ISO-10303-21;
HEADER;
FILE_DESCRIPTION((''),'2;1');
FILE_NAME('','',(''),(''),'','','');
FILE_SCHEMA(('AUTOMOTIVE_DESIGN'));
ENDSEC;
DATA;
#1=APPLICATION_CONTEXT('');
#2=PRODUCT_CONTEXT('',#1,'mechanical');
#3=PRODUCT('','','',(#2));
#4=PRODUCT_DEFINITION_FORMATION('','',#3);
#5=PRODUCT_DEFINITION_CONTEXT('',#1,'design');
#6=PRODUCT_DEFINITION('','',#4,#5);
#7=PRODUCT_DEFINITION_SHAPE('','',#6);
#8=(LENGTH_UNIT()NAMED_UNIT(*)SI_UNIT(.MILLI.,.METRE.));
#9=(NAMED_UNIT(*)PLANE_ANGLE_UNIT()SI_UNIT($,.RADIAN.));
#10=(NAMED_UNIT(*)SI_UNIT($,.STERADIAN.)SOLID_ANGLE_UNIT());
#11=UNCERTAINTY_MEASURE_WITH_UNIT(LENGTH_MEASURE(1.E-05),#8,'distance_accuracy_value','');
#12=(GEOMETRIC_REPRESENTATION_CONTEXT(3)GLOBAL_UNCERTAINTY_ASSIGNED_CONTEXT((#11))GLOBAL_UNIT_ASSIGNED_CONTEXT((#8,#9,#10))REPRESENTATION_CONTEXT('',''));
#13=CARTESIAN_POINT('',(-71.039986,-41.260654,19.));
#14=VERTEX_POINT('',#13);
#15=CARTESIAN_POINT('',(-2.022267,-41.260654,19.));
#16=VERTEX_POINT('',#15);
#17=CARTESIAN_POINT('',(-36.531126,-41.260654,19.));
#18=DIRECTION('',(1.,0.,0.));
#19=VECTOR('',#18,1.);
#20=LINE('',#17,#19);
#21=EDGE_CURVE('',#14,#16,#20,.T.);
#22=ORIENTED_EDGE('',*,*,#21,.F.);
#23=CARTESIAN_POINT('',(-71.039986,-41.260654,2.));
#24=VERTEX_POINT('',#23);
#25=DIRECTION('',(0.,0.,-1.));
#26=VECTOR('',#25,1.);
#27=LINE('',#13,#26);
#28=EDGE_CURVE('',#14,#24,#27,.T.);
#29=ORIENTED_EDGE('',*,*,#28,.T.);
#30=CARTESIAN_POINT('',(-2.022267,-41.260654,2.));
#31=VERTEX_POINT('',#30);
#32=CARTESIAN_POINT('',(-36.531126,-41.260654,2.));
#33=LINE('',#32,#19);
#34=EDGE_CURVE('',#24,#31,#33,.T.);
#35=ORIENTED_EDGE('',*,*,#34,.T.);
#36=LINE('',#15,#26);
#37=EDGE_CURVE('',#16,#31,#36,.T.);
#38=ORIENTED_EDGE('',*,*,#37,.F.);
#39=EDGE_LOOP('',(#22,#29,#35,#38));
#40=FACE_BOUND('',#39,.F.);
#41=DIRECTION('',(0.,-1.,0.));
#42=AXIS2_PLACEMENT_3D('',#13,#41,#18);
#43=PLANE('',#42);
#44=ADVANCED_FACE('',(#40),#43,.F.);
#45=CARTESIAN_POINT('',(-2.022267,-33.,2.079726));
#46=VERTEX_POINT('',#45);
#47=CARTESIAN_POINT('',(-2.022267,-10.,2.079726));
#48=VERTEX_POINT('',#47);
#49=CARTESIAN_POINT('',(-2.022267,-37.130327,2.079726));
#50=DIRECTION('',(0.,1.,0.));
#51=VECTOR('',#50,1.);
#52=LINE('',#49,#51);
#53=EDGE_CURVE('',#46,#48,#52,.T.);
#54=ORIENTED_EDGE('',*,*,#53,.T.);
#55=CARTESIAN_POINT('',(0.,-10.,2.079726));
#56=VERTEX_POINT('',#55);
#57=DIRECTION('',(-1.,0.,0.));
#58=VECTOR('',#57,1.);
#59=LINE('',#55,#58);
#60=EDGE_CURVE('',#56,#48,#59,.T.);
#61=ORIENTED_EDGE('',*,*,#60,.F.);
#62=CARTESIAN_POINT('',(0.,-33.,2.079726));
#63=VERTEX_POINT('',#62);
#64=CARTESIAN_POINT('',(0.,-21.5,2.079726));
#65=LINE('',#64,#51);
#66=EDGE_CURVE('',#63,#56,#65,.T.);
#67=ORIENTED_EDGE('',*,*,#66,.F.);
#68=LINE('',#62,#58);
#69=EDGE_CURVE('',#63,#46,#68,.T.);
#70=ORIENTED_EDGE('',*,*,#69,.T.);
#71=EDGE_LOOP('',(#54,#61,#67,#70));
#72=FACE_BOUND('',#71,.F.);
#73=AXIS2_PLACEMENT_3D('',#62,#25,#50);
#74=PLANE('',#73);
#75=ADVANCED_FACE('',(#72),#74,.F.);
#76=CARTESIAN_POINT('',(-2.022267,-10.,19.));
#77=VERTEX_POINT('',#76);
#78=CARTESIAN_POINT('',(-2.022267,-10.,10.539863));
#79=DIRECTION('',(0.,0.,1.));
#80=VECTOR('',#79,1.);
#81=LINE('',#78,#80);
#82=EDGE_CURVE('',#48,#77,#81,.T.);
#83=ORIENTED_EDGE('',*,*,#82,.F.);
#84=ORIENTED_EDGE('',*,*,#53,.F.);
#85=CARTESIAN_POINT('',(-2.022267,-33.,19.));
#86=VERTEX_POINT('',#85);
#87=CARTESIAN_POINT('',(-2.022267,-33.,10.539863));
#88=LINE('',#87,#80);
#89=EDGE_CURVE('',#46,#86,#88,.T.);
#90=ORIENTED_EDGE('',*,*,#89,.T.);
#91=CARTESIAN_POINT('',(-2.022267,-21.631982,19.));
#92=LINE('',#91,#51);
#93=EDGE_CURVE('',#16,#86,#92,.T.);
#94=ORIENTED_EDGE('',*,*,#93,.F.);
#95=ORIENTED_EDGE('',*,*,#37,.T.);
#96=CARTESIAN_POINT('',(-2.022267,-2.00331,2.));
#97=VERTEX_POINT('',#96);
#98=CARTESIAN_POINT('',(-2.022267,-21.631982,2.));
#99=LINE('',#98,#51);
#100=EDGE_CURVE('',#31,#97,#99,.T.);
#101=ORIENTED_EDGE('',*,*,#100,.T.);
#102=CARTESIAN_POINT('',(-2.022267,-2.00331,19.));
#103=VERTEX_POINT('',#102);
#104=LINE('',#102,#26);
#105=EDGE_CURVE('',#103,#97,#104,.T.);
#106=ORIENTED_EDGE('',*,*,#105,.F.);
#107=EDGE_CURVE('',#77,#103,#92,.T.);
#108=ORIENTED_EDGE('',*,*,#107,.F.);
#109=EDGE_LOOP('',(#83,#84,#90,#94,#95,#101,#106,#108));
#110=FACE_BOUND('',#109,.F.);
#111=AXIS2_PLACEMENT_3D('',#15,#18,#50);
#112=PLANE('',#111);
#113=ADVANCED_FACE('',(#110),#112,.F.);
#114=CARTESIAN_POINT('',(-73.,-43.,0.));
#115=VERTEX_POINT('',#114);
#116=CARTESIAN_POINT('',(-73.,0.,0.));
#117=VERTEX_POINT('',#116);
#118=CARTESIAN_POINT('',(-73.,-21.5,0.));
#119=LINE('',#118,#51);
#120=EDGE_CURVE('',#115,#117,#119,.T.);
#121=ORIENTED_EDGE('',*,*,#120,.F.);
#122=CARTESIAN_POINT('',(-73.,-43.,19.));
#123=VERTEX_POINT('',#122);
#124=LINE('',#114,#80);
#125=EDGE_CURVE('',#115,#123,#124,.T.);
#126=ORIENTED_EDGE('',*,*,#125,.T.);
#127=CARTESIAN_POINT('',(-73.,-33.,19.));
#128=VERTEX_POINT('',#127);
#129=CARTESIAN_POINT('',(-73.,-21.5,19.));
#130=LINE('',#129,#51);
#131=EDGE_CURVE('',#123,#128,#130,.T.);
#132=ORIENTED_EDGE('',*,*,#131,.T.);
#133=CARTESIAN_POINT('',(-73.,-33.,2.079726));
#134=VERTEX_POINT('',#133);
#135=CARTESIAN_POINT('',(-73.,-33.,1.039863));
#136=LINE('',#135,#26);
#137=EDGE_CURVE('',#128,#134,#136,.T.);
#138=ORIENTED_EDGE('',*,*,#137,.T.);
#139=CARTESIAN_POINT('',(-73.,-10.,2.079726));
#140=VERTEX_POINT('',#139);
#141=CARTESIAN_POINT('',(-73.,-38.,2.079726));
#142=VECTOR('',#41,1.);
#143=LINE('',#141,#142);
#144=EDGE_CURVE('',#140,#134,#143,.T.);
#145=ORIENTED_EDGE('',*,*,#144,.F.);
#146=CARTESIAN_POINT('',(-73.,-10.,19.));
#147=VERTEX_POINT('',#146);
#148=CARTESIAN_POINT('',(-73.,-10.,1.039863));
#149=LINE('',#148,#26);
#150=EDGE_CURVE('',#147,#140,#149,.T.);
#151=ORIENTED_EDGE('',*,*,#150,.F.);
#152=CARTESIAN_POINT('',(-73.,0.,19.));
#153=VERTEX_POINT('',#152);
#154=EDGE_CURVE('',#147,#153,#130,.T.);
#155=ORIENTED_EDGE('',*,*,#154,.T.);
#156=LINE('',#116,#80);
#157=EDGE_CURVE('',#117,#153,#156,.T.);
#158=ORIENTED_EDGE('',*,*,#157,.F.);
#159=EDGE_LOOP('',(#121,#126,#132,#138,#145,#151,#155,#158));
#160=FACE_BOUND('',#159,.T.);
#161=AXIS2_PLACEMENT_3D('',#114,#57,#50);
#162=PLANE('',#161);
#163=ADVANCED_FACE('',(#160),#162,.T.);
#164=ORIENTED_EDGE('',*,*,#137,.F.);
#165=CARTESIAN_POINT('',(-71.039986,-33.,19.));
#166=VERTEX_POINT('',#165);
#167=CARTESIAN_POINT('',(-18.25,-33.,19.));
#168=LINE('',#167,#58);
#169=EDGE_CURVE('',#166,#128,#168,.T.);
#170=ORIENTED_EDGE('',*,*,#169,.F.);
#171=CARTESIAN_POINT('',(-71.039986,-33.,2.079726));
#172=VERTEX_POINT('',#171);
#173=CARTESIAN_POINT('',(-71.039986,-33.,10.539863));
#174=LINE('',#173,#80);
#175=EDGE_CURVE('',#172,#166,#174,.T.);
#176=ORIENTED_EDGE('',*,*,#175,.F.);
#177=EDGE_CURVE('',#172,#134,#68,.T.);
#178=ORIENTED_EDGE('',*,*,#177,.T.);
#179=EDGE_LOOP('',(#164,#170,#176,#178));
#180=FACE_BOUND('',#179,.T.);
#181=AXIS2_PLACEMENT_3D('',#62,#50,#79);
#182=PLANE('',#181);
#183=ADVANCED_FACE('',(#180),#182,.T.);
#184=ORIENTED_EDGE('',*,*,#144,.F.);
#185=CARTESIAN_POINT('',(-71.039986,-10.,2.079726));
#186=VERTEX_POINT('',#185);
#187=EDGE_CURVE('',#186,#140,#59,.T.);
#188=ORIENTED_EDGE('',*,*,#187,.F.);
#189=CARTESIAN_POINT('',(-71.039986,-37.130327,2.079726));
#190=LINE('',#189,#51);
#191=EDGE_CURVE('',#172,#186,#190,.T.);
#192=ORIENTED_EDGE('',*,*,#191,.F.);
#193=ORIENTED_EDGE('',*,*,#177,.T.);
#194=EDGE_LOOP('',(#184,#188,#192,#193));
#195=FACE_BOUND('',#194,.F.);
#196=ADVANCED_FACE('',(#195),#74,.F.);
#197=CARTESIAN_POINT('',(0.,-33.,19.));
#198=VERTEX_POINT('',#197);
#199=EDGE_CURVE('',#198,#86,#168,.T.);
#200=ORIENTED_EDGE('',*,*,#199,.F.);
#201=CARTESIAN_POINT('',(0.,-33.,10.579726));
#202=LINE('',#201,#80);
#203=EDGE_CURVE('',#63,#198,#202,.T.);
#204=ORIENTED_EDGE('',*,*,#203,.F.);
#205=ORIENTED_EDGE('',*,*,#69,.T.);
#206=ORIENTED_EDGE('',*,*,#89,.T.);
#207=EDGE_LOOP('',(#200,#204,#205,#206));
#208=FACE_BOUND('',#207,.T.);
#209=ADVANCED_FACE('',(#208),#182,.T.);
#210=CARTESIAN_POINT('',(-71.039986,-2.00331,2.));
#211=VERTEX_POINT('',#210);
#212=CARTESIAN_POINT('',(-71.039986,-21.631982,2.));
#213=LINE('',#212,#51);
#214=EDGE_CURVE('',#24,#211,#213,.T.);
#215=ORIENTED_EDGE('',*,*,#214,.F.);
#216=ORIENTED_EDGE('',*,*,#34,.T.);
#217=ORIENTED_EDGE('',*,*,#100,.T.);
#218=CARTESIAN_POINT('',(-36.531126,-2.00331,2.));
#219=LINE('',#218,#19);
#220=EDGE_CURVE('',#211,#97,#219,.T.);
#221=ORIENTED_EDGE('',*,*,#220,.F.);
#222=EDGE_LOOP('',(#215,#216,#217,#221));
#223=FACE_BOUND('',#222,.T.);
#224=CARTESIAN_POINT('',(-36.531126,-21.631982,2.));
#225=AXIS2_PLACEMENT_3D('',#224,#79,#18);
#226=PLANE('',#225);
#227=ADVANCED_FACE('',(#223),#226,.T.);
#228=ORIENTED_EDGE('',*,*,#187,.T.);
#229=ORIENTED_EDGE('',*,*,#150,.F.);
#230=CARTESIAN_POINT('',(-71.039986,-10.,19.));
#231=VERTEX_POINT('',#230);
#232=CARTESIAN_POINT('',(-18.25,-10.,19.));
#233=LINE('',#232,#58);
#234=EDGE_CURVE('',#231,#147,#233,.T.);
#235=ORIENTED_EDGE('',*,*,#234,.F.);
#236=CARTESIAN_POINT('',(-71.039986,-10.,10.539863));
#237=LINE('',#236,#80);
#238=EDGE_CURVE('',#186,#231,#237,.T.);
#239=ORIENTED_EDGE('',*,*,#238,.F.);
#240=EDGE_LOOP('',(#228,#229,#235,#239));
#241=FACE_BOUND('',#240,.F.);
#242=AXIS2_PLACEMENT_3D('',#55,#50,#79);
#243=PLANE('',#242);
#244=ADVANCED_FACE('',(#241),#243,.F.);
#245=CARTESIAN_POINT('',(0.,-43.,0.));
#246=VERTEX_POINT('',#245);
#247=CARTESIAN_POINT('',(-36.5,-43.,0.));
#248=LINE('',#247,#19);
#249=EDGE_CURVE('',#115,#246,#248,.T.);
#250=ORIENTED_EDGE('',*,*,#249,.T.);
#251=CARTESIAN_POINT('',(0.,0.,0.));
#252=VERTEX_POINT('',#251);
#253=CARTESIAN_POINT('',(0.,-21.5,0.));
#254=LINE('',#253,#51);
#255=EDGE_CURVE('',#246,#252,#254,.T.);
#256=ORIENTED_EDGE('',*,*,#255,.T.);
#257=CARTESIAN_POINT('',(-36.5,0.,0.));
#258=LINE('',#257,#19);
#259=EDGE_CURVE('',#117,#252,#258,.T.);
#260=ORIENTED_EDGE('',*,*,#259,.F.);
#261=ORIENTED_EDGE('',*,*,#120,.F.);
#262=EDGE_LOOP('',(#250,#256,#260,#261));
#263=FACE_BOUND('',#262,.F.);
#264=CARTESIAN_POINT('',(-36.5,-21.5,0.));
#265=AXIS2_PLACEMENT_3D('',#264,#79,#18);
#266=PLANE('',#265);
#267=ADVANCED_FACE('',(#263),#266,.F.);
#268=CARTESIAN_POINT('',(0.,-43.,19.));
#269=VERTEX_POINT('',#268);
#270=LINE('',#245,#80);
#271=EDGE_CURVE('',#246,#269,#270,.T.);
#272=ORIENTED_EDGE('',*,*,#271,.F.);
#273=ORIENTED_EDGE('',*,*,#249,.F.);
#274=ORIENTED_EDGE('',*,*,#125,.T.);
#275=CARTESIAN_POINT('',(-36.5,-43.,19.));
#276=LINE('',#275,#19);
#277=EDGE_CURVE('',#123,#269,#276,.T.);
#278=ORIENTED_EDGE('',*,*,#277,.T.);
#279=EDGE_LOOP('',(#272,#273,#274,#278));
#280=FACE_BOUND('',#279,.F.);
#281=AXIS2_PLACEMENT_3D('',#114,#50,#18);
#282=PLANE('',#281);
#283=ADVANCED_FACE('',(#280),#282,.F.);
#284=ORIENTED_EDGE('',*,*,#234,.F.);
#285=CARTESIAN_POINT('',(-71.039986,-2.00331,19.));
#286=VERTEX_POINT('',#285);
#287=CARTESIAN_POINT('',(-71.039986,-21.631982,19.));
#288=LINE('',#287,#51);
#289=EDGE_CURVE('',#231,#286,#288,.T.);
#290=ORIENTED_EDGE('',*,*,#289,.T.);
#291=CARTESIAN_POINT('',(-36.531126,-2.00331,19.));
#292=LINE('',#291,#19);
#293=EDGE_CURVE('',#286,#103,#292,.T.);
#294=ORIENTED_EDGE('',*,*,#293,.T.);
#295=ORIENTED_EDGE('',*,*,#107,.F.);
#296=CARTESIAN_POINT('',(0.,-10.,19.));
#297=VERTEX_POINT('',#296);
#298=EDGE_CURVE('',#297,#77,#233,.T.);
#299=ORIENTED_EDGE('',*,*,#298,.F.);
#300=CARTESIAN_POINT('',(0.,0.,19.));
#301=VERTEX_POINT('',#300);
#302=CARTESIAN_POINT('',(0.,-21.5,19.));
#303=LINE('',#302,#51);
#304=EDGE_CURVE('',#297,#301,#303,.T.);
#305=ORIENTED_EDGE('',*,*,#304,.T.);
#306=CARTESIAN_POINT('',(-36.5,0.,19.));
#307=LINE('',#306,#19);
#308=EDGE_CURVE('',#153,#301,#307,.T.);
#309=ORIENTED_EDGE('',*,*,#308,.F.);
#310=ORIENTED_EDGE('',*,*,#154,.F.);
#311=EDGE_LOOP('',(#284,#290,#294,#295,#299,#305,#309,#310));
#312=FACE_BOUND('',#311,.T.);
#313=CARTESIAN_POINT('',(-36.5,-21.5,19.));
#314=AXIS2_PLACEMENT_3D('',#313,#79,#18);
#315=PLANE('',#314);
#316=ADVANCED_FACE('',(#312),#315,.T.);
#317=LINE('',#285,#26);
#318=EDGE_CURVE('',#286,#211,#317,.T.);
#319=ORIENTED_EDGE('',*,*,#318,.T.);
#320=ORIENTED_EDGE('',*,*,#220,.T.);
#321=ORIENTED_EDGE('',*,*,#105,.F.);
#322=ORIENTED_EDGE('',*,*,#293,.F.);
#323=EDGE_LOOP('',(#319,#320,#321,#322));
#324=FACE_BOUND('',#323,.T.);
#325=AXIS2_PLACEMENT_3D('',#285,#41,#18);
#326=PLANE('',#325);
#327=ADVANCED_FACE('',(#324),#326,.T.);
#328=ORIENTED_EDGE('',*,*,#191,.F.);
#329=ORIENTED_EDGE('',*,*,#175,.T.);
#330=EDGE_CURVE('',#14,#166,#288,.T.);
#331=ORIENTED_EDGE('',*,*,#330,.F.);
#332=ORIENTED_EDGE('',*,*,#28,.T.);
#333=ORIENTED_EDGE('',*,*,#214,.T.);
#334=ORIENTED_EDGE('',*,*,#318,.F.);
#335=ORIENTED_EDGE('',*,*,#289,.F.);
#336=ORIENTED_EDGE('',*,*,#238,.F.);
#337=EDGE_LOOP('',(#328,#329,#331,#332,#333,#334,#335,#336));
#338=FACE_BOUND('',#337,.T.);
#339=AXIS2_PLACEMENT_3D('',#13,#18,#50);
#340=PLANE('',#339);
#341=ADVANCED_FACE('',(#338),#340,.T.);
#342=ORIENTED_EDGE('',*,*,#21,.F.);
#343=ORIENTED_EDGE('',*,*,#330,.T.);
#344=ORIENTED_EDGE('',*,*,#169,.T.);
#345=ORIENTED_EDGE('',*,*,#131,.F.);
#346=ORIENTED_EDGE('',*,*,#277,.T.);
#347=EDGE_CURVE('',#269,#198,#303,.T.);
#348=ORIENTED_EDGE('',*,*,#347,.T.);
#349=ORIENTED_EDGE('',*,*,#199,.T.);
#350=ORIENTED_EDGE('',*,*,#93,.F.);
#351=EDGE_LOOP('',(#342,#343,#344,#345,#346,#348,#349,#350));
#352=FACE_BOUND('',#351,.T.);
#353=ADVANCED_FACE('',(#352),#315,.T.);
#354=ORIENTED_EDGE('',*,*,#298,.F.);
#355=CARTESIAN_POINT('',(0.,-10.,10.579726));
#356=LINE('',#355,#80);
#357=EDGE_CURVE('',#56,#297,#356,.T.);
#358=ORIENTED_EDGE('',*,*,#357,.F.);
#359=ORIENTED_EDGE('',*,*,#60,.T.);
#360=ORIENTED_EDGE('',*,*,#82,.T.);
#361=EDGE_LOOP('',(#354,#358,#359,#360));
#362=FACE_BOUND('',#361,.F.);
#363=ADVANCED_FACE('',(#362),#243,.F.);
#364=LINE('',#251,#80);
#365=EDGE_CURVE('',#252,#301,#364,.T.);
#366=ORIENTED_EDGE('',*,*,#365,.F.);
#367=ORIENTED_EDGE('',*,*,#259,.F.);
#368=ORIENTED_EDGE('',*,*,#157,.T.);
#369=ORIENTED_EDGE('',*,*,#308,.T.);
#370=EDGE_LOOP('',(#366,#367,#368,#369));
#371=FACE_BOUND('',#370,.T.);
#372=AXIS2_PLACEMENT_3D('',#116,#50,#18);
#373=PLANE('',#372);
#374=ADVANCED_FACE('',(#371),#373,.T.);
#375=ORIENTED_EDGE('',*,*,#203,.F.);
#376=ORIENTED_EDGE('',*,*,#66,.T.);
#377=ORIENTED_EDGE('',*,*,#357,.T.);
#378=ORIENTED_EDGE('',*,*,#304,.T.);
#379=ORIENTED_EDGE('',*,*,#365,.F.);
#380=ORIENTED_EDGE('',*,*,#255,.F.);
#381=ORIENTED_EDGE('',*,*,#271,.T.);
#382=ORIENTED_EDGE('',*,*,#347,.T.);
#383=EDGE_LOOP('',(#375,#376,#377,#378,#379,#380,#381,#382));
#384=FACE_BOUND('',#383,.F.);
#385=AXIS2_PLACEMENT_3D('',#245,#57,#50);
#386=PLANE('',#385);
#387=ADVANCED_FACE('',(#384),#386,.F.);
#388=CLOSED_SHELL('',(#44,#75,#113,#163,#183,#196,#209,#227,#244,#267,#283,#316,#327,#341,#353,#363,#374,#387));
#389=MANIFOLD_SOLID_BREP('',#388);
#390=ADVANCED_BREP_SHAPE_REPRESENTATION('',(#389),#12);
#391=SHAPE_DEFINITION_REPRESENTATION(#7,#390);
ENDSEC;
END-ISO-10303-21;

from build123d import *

# Parameters (mm, degrees)
SKETCH_W        = 73
SKETCH_H        = 43
PAD_DEPTH       = 19
SKETCH001_W     = 69.017719
SKETCH001_H     = 39.257344
POCKET_DEPTH    = 17
SKETCH002_W     = 23
SKETCH002_H     = 17
POCKET001_DEPTH = 80


with BuildPart() as part:
    # Sketch → Pad (new body)
    with BuildSketch(Plane.XY):
        with Locations((-36.5, -21.5)):
            Rectangle(SKETCH_W, SKETCH_H)
    extrude(amount=PAD_DEPTH)

    # Sketch001 (on Face6 of Pad) → Pocket (cut)
    with BuildSketch(Plane.XY.offset(19)):
        with Locations((-36.531126, -21.631982)):
            Rectangle(SKETCH001_W, SKETCH001_H)
    extrude(amount=-POCKET_DEPTH, mode=Mode.SUBTRACT)

    # Sketch002 (on Face3 of Pocket) → Pocket001 (cut)
    with BuildSketch(Plane.YZ):
        with Locations((-21.5, 10.579726)):
            Rectangle(SKETCH002_W, SKETCH002_H)
    extrude(amount=-POCKET001_DEPTH, mode=Mode.SUBTRACT)


solid = part.part
